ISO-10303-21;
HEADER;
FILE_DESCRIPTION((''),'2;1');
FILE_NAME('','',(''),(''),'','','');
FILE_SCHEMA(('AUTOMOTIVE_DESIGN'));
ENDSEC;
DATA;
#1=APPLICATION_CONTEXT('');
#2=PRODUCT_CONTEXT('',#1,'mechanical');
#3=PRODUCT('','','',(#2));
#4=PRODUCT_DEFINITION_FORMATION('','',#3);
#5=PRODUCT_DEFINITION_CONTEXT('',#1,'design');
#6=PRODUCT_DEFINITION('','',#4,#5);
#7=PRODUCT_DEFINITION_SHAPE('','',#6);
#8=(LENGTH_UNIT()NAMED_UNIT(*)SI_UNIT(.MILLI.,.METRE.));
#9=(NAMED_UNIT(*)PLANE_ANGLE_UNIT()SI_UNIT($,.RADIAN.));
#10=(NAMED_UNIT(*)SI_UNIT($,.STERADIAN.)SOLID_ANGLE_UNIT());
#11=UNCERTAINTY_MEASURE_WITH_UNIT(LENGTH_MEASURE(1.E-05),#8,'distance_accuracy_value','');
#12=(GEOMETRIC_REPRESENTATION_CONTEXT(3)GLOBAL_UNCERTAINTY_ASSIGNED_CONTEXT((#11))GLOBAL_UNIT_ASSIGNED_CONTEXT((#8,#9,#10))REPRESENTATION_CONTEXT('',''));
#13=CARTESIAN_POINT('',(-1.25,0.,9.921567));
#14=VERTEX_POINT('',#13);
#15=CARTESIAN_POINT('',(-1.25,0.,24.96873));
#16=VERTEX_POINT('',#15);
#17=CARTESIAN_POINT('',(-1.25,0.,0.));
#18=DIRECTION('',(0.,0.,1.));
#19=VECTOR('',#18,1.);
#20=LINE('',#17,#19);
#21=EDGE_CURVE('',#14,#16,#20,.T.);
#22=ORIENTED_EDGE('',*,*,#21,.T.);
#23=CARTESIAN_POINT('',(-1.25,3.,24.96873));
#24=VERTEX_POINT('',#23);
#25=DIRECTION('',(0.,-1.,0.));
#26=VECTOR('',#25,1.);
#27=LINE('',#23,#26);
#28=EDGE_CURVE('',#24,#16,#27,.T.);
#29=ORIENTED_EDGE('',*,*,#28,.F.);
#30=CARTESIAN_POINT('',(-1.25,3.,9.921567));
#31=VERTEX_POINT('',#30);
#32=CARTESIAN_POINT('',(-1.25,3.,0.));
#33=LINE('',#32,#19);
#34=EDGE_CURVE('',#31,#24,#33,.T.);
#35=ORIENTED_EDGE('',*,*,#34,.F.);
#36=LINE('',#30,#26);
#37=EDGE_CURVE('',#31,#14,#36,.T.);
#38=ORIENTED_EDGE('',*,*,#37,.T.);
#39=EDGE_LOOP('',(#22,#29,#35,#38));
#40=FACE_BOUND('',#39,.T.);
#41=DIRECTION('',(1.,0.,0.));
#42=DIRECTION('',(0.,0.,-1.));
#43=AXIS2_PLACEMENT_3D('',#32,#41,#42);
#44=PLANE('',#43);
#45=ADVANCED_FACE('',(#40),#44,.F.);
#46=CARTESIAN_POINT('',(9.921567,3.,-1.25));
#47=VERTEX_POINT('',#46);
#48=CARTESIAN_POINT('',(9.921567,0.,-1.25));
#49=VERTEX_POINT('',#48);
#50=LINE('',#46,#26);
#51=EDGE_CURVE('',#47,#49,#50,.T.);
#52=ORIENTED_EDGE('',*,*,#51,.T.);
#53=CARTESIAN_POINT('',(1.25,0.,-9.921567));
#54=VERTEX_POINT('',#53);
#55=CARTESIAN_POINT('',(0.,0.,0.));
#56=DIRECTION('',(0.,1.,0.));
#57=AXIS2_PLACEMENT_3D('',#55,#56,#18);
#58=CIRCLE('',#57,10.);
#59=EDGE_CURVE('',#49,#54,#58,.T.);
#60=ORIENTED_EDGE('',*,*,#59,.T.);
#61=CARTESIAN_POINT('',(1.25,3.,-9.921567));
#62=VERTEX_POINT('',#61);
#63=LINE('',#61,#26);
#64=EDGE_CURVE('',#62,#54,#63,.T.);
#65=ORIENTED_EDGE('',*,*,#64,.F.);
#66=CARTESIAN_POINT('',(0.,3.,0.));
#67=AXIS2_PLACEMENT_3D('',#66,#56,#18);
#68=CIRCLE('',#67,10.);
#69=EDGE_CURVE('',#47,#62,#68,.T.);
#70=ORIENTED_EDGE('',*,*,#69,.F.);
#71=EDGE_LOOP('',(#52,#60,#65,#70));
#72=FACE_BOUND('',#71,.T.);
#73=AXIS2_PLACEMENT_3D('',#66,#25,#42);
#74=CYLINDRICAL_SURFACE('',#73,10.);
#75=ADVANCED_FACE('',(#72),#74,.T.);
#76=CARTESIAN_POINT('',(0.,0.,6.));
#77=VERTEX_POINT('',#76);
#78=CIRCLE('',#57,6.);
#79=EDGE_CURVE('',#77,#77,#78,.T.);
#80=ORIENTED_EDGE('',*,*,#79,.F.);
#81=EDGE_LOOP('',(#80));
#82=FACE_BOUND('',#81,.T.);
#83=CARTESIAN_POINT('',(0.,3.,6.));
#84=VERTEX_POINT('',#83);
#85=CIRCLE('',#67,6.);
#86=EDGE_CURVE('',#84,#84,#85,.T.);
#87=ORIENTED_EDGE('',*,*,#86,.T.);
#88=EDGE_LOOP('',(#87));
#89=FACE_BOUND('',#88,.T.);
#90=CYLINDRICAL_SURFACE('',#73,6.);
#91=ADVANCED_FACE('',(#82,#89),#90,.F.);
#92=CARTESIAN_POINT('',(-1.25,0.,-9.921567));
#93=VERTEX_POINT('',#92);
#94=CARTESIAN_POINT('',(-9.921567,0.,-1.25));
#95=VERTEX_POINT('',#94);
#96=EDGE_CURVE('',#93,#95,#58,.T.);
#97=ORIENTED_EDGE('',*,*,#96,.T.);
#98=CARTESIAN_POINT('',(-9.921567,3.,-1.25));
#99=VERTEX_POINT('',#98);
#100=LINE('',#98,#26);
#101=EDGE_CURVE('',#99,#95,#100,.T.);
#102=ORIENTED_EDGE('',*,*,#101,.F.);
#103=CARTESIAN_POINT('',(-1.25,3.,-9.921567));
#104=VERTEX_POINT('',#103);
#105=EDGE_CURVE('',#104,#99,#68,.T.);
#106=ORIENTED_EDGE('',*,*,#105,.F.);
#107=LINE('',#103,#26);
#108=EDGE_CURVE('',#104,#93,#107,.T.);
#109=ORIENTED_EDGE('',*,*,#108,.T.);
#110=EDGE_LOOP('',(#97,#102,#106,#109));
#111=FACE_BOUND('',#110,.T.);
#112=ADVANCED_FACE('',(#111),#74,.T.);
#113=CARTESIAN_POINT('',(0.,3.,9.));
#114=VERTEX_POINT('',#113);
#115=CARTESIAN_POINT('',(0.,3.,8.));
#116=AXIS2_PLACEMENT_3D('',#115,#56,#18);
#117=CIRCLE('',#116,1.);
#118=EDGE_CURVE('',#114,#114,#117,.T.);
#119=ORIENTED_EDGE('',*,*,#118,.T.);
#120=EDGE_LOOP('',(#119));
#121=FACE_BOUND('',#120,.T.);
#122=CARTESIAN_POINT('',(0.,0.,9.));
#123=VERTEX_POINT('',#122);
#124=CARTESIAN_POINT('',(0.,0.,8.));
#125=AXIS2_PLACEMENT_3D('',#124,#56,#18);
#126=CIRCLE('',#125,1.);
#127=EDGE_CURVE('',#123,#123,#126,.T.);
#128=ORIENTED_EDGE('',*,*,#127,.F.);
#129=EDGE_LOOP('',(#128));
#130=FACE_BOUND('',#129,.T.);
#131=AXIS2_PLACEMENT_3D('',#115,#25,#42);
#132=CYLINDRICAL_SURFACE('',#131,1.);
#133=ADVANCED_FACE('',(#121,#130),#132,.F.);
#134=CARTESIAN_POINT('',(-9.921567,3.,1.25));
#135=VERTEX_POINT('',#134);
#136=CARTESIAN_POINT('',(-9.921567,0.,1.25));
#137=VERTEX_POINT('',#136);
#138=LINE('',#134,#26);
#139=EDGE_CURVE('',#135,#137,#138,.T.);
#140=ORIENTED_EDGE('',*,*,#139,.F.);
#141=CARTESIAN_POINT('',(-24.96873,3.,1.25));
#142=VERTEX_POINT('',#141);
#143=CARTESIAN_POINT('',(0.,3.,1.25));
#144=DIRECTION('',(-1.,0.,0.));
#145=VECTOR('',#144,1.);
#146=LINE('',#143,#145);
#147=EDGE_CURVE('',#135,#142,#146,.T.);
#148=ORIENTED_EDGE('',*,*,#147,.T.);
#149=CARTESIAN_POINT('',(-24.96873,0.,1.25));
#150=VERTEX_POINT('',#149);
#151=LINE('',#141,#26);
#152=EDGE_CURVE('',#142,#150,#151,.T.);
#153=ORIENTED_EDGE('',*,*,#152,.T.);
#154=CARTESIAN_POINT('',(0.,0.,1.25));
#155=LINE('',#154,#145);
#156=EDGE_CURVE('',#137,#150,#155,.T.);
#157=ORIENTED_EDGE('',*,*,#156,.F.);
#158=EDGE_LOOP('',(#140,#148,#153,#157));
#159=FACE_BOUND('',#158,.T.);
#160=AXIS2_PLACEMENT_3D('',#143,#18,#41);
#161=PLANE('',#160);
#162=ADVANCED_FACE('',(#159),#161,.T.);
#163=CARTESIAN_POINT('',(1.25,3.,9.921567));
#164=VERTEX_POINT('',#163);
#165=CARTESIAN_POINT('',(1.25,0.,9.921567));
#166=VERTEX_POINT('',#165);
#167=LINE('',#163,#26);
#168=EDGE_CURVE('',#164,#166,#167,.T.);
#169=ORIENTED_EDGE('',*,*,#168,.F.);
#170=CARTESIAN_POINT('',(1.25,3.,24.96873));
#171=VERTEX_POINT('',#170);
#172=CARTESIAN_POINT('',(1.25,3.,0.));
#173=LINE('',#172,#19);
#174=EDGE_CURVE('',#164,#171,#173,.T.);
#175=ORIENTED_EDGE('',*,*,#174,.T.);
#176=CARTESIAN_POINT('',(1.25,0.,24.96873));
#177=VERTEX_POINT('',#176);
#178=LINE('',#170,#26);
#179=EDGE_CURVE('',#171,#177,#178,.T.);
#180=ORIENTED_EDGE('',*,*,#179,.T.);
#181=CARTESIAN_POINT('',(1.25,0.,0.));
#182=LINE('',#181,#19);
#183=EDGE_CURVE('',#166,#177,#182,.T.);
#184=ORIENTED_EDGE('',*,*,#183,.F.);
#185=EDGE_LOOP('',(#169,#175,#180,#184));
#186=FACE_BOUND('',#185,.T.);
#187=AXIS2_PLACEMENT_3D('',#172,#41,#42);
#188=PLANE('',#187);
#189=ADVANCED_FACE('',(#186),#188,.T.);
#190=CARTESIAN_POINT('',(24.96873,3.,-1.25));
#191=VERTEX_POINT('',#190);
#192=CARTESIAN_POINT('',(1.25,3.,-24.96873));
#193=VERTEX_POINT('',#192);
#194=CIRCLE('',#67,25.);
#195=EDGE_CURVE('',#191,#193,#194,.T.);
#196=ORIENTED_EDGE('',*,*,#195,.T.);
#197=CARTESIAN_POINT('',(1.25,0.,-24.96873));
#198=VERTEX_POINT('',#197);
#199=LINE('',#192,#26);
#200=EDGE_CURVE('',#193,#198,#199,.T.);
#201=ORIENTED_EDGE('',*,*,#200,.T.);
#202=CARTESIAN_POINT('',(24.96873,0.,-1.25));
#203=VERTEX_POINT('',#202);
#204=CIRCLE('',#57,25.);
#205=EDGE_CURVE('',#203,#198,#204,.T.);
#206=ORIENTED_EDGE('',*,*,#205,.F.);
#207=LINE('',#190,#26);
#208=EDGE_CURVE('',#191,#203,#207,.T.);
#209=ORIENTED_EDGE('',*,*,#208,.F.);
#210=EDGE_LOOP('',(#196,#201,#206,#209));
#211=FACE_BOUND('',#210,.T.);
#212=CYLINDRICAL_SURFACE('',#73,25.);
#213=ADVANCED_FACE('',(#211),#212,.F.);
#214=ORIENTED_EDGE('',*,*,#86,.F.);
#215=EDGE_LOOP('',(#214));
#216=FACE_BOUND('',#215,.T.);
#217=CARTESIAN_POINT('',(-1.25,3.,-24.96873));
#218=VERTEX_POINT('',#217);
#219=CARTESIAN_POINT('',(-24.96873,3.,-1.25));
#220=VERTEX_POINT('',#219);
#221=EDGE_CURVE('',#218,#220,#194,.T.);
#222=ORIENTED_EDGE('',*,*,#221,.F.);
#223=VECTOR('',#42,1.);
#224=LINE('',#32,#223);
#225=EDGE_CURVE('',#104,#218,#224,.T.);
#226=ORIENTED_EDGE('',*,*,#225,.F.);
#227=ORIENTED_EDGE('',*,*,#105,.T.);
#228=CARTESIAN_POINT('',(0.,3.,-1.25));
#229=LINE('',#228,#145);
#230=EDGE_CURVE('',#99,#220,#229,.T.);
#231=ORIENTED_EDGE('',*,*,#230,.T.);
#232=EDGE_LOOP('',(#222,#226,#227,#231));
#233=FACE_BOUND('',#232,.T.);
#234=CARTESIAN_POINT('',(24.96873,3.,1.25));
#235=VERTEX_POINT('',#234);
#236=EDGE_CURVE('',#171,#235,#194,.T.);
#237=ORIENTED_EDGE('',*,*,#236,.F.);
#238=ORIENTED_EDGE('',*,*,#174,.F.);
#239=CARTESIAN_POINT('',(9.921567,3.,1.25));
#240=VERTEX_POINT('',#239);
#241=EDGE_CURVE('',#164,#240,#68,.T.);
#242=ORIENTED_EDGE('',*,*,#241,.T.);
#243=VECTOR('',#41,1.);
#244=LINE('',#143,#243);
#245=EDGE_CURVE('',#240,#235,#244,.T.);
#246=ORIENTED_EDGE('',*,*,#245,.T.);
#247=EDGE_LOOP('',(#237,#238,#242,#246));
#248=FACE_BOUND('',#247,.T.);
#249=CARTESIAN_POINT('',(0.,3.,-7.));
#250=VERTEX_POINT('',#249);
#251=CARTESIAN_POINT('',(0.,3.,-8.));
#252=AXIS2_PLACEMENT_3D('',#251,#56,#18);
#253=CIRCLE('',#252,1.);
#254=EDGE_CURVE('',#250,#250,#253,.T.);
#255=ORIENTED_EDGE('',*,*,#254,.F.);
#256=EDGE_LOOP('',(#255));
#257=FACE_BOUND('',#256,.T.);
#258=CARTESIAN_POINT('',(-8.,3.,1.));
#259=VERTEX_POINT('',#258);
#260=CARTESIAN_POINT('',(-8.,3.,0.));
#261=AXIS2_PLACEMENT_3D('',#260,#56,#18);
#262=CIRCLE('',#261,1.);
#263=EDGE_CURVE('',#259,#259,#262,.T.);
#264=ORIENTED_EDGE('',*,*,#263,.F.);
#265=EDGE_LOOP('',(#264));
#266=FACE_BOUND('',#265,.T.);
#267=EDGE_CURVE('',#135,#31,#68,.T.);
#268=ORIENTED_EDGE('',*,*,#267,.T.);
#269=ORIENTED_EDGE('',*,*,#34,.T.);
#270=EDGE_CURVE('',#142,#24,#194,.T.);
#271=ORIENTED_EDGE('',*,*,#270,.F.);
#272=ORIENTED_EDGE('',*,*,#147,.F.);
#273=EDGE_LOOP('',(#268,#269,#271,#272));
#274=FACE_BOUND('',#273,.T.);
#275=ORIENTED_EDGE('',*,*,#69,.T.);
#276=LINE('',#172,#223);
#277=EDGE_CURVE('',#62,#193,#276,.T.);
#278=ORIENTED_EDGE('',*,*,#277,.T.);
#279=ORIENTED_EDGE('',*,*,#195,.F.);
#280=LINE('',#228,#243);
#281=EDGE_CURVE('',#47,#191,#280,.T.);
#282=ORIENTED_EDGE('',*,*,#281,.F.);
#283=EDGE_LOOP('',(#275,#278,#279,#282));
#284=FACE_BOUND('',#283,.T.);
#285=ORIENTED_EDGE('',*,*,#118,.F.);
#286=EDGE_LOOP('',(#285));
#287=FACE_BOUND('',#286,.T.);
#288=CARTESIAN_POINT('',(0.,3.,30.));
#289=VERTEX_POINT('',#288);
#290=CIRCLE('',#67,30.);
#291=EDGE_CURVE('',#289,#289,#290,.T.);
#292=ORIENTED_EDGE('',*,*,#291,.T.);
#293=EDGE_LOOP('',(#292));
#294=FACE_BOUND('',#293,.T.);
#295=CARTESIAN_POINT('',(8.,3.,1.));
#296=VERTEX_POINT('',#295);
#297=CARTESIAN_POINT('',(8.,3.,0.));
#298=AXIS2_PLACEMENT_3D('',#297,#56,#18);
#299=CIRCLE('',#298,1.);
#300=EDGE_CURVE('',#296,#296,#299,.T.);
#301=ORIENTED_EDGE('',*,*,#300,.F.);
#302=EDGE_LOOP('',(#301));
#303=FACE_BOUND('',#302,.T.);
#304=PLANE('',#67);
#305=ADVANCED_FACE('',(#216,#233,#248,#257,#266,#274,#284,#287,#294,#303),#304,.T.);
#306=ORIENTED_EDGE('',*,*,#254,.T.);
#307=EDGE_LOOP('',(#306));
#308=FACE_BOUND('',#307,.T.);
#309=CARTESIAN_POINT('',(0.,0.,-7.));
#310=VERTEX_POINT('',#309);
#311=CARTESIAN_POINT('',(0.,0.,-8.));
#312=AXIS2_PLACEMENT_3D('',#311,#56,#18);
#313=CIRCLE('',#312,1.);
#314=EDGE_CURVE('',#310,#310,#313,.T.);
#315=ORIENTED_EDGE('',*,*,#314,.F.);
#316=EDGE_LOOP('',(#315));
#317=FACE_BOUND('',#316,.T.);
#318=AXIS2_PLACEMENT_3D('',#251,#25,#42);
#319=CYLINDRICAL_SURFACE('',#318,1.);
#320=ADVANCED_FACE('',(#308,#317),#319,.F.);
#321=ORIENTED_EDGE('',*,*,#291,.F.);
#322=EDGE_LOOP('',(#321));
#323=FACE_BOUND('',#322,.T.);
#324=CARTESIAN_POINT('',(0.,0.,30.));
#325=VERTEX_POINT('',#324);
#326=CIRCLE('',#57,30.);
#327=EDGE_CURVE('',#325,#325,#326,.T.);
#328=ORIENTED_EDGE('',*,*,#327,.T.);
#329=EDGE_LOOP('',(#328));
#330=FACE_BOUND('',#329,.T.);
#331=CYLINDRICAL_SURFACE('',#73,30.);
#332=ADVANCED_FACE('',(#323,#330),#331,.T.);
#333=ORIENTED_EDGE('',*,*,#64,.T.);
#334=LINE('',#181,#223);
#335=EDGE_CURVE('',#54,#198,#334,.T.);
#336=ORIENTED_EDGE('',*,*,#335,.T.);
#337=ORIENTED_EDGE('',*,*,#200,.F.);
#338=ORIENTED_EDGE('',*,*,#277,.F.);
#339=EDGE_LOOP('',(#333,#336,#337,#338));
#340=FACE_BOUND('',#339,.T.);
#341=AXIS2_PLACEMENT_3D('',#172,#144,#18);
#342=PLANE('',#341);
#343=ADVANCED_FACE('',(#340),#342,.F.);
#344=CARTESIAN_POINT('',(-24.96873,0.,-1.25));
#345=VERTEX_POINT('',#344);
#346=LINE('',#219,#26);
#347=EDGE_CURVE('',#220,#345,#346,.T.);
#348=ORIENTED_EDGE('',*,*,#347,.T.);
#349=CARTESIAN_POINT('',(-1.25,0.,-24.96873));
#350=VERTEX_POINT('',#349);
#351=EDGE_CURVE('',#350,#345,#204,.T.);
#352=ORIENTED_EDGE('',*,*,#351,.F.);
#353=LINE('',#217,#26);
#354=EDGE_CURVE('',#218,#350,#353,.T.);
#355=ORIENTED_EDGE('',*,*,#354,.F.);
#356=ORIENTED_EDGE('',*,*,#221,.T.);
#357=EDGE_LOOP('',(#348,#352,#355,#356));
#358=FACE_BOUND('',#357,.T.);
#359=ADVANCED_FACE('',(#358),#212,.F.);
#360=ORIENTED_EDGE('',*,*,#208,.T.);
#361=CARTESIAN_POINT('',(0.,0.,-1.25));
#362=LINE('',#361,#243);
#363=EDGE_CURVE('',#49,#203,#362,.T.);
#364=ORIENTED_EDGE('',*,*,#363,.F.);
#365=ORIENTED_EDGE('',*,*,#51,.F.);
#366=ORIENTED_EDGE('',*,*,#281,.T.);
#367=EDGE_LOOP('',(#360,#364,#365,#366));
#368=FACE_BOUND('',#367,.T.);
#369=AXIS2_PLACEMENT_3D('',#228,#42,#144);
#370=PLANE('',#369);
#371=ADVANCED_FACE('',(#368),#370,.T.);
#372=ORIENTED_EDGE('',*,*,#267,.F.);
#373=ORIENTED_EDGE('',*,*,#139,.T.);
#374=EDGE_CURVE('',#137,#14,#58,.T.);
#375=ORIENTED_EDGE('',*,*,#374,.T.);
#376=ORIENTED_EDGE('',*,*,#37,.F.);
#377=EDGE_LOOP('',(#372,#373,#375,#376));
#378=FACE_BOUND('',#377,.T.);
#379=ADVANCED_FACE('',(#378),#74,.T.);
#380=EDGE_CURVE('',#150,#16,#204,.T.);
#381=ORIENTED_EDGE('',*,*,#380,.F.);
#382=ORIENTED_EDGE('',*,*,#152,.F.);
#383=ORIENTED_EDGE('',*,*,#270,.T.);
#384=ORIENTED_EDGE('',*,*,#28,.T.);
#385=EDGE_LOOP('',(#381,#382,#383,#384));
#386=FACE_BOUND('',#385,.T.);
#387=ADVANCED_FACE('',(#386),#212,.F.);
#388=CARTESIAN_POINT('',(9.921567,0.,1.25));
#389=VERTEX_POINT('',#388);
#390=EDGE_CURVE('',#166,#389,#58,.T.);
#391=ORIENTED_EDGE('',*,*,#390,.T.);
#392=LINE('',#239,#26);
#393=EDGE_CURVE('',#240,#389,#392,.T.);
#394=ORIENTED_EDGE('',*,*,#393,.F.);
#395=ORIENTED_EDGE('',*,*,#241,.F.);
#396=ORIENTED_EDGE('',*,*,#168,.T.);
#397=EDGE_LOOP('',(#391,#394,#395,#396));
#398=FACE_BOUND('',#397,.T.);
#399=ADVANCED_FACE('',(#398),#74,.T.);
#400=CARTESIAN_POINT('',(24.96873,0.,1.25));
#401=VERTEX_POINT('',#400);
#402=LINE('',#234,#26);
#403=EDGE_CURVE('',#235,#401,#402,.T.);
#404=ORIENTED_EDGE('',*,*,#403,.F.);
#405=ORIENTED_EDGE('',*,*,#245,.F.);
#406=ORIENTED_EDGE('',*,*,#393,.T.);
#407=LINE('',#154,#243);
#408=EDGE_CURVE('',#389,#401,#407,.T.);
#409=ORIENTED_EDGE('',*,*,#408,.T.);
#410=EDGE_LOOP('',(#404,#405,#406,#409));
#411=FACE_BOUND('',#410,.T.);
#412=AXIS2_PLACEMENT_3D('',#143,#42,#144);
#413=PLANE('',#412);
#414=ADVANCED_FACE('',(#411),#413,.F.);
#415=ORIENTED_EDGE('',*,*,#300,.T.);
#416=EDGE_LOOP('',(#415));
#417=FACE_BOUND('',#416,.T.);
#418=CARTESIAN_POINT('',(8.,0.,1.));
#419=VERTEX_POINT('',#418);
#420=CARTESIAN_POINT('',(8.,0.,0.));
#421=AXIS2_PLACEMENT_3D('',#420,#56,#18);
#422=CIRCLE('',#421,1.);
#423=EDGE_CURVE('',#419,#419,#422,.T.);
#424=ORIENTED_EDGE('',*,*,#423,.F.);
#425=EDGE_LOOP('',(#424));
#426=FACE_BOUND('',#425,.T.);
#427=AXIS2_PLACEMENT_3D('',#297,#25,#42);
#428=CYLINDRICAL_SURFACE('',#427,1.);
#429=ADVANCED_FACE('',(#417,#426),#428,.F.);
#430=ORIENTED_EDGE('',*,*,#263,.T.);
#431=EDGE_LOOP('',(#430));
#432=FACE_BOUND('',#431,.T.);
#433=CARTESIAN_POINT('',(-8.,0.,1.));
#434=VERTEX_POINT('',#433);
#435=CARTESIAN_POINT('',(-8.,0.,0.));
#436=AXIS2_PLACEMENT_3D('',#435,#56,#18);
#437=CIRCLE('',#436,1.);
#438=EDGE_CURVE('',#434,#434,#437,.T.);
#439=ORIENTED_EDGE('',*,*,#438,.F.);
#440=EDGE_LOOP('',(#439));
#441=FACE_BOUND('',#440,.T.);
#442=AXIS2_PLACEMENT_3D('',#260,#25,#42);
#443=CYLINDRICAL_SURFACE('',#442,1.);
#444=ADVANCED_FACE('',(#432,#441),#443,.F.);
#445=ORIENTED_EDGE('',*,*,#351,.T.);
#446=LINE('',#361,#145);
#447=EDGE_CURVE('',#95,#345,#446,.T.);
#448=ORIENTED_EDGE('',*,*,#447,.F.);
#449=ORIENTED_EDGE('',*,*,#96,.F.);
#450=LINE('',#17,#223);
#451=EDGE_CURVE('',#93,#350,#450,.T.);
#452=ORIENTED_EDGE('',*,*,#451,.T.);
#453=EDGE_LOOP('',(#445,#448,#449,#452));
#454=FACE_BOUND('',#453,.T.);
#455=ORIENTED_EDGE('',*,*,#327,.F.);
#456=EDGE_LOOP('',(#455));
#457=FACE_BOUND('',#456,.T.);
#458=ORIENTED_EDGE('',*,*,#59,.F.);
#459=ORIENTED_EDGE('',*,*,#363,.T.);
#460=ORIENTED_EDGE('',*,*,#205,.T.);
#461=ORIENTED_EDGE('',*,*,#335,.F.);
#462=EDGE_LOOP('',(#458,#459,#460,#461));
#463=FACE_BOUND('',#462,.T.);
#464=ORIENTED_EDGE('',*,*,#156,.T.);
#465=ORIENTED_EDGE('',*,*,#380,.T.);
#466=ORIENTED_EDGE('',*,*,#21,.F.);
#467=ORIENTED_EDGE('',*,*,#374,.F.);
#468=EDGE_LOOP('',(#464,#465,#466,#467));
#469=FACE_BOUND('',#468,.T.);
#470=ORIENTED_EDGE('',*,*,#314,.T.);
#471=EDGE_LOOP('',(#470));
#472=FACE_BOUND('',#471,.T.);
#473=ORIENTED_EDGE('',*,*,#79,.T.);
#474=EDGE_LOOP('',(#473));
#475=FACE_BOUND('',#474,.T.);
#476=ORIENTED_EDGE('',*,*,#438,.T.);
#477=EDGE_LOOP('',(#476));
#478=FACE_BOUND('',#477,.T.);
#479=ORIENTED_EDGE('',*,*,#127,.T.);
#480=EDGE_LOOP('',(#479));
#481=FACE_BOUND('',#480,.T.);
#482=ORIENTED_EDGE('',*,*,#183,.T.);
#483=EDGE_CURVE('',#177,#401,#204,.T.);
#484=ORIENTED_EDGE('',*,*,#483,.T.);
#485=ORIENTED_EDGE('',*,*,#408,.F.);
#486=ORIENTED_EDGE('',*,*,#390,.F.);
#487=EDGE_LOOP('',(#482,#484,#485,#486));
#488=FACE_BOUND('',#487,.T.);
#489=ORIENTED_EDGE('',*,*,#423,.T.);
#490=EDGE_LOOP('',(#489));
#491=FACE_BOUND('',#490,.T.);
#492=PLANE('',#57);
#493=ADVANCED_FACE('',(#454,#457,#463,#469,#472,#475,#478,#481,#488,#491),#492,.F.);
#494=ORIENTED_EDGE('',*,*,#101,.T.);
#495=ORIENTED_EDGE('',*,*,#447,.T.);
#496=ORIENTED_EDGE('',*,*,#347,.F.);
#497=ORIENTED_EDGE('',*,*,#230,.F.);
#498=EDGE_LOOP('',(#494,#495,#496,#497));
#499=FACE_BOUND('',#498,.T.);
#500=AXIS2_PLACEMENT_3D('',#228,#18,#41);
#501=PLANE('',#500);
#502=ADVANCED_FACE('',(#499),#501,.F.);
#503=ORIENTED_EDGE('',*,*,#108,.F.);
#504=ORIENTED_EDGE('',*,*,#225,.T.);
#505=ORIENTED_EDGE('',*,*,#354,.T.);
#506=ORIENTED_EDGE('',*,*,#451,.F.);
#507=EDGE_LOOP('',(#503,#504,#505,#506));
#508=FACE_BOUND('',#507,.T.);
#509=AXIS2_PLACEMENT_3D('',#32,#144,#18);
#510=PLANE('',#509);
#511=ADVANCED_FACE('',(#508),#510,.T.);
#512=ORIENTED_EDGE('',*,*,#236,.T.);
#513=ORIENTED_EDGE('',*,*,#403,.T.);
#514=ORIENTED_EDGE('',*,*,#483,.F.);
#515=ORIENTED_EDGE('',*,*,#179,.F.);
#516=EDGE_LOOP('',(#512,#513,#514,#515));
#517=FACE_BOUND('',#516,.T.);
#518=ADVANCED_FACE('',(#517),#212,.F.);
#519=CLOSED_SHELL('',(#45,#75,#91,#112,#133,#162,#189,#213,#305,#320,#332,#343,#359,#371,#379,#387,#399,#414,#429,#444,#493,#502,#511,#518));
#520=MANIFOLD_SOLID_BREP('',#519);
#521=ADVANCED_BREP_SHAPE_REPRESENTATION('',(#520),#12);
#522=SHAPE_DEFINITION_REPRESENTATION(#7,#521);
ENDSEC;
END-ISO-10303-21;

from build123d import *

# Parameters (mm, degrees)
SKETCH_1_R      = 30
SKETCH_1_R_2    = 25
SKETCH_1_R_3    = 10
SKETCH_1_R_4    = 1
SKETCH_1_R_5    = 6
EXTRUDE_1_DEPTH = 3


with BuildPart() as part:
    # 草图1 → 凸台-拉伸1 (new body)
    # profile 1 of 6: a face of its own
    with BuildSketch(Plane(origin=(0, 0, 0), x_dir=(1, 0, 0), z_dir=(0, 1, 0))):
        with Locations(Location((0, 0, 0), (0, 0, 270))):
            Circle(SKETCH_1_R)
        Circle(SKETCH_1_R_2, mode=Mode.SUBTRACT)
    # profile 2 of 6: a face of its own
    with BuildSketch(Plane(origin=(0, 0, 0), x_dir=(1, 0, 0), z_dir=(0, 1, 0))):
        with BuildLine():
            ThreePointArc((-9.921567416, -1.25), (-10, 0), (-9.921567416, 1.25))
            Line((-9.921567416, 1.25), (-24.968730444, 1.25))
            ThreePointArc((-24.968730444, 1.25), (-25, 0), (-24.968730444, -1.25))
            Line((-24.968730444, -1.25), (-9.921567416, -1.25))
        make_face()
    # profile 3 of 6: a face of its own
    with BuildSketch(Plane(origin=(0, 0, 0), x_dir=(1, 0, 0), z_dir=(0, 1, 0))):
        with BuildLine():
            ThreePointArc((-1.25, 9.921567416), (0, 10), (1.25, 9.921567416))
            Line((1.25, 9.921567416), (1.25, 24.968730444))
            ThreePointArc((1.25, 24.968730444), (0, 25), (-1.25, 24.968730444))
            Line((-1.25, 24.968730444), (-1.25, 9.921567416))
        make_face()
    # profile 4 of 6: a face of its own
    with BuildSketch(Plane(origin=(0, 0, 0), x_dir=(1, 0, 0), z_dir=(0, 1, 0))):
        Circle(SKETCH_1_R_3)
        with Locations(Location((8, 0, 0), (0, 0, 270))):
            Circle(SKETCH_1_R_4, mode=Mode.SUBTRACT)
        with Locations(Location((0, -8, 0), (0, 0, 270))):
            Circle(SKETCH_1_R_4, mode=Mode.SUBTRACT)
        with Locations(Location((-8, 0, 0), (0, 0, 270))):
            Circle(SKETCH_1_R_4, mode=Mode.SUBTRACT)
        with Locations(Location((0, 8, 0), (0, 0, 270))):
            Circle(SKETCH_1_R_4, mode=Mode.SUBTRACT)
        with Locations(Location((0, 0, 0), (0, 0, 270))):
            Circle(SKETCH_1_R_5, mode=Mode.SUBTRACT)
    # profile 5 of 6: a face of its own
    with BuildSketch(Plane(origin=(0, 0, 0), x_dir=(1, 0, 0), z_dir=(0, 1, 0))):
        with BuildLine():
            Line((24.968730444, 1.25), (9.921567416, 1.25))
            ThreePointArc((9.921567416, 1.25), (9.980372592, 0.626229125), (10, 0))
            ThreePointArc((10, 0), (9.980372592, -0.626229125), (9.921567416, -1.25))
            Line((9.921567416, -1.25), (24.968730444, -1.25))
            ThreePointArc((24.968730444, -1.25), (24.992181388, -0.625195526), (25, 0))
            ThreePointArc((25, 0), (24.992181388, 0.625195526), (24.968730444, 1.25))
        make_face()
    # profile 6 of 6: a face of its own
    with BuildSketch(Plane(origin=(0, 0, 0), x_dir=(1, 0, 0), z_dir=(0, 1, 0))):
        with BuildLine():
            Line((1.25, -24.968730444), (1.25, -9.921567416))
            ThreePointArc((1.25, -9.921567416), (0, -10), (-1.25, -9.921567416))
            Line((-1.25, -9.921567416), (-1.25, -24.968730444))
            ThreePointArc((-1.25, -24.968730444), (0, -25), (1.25, -24.968730444))
        make_face()
    extrude(amount=EXTRUDE_1_DEPTH)


solid = part.part
